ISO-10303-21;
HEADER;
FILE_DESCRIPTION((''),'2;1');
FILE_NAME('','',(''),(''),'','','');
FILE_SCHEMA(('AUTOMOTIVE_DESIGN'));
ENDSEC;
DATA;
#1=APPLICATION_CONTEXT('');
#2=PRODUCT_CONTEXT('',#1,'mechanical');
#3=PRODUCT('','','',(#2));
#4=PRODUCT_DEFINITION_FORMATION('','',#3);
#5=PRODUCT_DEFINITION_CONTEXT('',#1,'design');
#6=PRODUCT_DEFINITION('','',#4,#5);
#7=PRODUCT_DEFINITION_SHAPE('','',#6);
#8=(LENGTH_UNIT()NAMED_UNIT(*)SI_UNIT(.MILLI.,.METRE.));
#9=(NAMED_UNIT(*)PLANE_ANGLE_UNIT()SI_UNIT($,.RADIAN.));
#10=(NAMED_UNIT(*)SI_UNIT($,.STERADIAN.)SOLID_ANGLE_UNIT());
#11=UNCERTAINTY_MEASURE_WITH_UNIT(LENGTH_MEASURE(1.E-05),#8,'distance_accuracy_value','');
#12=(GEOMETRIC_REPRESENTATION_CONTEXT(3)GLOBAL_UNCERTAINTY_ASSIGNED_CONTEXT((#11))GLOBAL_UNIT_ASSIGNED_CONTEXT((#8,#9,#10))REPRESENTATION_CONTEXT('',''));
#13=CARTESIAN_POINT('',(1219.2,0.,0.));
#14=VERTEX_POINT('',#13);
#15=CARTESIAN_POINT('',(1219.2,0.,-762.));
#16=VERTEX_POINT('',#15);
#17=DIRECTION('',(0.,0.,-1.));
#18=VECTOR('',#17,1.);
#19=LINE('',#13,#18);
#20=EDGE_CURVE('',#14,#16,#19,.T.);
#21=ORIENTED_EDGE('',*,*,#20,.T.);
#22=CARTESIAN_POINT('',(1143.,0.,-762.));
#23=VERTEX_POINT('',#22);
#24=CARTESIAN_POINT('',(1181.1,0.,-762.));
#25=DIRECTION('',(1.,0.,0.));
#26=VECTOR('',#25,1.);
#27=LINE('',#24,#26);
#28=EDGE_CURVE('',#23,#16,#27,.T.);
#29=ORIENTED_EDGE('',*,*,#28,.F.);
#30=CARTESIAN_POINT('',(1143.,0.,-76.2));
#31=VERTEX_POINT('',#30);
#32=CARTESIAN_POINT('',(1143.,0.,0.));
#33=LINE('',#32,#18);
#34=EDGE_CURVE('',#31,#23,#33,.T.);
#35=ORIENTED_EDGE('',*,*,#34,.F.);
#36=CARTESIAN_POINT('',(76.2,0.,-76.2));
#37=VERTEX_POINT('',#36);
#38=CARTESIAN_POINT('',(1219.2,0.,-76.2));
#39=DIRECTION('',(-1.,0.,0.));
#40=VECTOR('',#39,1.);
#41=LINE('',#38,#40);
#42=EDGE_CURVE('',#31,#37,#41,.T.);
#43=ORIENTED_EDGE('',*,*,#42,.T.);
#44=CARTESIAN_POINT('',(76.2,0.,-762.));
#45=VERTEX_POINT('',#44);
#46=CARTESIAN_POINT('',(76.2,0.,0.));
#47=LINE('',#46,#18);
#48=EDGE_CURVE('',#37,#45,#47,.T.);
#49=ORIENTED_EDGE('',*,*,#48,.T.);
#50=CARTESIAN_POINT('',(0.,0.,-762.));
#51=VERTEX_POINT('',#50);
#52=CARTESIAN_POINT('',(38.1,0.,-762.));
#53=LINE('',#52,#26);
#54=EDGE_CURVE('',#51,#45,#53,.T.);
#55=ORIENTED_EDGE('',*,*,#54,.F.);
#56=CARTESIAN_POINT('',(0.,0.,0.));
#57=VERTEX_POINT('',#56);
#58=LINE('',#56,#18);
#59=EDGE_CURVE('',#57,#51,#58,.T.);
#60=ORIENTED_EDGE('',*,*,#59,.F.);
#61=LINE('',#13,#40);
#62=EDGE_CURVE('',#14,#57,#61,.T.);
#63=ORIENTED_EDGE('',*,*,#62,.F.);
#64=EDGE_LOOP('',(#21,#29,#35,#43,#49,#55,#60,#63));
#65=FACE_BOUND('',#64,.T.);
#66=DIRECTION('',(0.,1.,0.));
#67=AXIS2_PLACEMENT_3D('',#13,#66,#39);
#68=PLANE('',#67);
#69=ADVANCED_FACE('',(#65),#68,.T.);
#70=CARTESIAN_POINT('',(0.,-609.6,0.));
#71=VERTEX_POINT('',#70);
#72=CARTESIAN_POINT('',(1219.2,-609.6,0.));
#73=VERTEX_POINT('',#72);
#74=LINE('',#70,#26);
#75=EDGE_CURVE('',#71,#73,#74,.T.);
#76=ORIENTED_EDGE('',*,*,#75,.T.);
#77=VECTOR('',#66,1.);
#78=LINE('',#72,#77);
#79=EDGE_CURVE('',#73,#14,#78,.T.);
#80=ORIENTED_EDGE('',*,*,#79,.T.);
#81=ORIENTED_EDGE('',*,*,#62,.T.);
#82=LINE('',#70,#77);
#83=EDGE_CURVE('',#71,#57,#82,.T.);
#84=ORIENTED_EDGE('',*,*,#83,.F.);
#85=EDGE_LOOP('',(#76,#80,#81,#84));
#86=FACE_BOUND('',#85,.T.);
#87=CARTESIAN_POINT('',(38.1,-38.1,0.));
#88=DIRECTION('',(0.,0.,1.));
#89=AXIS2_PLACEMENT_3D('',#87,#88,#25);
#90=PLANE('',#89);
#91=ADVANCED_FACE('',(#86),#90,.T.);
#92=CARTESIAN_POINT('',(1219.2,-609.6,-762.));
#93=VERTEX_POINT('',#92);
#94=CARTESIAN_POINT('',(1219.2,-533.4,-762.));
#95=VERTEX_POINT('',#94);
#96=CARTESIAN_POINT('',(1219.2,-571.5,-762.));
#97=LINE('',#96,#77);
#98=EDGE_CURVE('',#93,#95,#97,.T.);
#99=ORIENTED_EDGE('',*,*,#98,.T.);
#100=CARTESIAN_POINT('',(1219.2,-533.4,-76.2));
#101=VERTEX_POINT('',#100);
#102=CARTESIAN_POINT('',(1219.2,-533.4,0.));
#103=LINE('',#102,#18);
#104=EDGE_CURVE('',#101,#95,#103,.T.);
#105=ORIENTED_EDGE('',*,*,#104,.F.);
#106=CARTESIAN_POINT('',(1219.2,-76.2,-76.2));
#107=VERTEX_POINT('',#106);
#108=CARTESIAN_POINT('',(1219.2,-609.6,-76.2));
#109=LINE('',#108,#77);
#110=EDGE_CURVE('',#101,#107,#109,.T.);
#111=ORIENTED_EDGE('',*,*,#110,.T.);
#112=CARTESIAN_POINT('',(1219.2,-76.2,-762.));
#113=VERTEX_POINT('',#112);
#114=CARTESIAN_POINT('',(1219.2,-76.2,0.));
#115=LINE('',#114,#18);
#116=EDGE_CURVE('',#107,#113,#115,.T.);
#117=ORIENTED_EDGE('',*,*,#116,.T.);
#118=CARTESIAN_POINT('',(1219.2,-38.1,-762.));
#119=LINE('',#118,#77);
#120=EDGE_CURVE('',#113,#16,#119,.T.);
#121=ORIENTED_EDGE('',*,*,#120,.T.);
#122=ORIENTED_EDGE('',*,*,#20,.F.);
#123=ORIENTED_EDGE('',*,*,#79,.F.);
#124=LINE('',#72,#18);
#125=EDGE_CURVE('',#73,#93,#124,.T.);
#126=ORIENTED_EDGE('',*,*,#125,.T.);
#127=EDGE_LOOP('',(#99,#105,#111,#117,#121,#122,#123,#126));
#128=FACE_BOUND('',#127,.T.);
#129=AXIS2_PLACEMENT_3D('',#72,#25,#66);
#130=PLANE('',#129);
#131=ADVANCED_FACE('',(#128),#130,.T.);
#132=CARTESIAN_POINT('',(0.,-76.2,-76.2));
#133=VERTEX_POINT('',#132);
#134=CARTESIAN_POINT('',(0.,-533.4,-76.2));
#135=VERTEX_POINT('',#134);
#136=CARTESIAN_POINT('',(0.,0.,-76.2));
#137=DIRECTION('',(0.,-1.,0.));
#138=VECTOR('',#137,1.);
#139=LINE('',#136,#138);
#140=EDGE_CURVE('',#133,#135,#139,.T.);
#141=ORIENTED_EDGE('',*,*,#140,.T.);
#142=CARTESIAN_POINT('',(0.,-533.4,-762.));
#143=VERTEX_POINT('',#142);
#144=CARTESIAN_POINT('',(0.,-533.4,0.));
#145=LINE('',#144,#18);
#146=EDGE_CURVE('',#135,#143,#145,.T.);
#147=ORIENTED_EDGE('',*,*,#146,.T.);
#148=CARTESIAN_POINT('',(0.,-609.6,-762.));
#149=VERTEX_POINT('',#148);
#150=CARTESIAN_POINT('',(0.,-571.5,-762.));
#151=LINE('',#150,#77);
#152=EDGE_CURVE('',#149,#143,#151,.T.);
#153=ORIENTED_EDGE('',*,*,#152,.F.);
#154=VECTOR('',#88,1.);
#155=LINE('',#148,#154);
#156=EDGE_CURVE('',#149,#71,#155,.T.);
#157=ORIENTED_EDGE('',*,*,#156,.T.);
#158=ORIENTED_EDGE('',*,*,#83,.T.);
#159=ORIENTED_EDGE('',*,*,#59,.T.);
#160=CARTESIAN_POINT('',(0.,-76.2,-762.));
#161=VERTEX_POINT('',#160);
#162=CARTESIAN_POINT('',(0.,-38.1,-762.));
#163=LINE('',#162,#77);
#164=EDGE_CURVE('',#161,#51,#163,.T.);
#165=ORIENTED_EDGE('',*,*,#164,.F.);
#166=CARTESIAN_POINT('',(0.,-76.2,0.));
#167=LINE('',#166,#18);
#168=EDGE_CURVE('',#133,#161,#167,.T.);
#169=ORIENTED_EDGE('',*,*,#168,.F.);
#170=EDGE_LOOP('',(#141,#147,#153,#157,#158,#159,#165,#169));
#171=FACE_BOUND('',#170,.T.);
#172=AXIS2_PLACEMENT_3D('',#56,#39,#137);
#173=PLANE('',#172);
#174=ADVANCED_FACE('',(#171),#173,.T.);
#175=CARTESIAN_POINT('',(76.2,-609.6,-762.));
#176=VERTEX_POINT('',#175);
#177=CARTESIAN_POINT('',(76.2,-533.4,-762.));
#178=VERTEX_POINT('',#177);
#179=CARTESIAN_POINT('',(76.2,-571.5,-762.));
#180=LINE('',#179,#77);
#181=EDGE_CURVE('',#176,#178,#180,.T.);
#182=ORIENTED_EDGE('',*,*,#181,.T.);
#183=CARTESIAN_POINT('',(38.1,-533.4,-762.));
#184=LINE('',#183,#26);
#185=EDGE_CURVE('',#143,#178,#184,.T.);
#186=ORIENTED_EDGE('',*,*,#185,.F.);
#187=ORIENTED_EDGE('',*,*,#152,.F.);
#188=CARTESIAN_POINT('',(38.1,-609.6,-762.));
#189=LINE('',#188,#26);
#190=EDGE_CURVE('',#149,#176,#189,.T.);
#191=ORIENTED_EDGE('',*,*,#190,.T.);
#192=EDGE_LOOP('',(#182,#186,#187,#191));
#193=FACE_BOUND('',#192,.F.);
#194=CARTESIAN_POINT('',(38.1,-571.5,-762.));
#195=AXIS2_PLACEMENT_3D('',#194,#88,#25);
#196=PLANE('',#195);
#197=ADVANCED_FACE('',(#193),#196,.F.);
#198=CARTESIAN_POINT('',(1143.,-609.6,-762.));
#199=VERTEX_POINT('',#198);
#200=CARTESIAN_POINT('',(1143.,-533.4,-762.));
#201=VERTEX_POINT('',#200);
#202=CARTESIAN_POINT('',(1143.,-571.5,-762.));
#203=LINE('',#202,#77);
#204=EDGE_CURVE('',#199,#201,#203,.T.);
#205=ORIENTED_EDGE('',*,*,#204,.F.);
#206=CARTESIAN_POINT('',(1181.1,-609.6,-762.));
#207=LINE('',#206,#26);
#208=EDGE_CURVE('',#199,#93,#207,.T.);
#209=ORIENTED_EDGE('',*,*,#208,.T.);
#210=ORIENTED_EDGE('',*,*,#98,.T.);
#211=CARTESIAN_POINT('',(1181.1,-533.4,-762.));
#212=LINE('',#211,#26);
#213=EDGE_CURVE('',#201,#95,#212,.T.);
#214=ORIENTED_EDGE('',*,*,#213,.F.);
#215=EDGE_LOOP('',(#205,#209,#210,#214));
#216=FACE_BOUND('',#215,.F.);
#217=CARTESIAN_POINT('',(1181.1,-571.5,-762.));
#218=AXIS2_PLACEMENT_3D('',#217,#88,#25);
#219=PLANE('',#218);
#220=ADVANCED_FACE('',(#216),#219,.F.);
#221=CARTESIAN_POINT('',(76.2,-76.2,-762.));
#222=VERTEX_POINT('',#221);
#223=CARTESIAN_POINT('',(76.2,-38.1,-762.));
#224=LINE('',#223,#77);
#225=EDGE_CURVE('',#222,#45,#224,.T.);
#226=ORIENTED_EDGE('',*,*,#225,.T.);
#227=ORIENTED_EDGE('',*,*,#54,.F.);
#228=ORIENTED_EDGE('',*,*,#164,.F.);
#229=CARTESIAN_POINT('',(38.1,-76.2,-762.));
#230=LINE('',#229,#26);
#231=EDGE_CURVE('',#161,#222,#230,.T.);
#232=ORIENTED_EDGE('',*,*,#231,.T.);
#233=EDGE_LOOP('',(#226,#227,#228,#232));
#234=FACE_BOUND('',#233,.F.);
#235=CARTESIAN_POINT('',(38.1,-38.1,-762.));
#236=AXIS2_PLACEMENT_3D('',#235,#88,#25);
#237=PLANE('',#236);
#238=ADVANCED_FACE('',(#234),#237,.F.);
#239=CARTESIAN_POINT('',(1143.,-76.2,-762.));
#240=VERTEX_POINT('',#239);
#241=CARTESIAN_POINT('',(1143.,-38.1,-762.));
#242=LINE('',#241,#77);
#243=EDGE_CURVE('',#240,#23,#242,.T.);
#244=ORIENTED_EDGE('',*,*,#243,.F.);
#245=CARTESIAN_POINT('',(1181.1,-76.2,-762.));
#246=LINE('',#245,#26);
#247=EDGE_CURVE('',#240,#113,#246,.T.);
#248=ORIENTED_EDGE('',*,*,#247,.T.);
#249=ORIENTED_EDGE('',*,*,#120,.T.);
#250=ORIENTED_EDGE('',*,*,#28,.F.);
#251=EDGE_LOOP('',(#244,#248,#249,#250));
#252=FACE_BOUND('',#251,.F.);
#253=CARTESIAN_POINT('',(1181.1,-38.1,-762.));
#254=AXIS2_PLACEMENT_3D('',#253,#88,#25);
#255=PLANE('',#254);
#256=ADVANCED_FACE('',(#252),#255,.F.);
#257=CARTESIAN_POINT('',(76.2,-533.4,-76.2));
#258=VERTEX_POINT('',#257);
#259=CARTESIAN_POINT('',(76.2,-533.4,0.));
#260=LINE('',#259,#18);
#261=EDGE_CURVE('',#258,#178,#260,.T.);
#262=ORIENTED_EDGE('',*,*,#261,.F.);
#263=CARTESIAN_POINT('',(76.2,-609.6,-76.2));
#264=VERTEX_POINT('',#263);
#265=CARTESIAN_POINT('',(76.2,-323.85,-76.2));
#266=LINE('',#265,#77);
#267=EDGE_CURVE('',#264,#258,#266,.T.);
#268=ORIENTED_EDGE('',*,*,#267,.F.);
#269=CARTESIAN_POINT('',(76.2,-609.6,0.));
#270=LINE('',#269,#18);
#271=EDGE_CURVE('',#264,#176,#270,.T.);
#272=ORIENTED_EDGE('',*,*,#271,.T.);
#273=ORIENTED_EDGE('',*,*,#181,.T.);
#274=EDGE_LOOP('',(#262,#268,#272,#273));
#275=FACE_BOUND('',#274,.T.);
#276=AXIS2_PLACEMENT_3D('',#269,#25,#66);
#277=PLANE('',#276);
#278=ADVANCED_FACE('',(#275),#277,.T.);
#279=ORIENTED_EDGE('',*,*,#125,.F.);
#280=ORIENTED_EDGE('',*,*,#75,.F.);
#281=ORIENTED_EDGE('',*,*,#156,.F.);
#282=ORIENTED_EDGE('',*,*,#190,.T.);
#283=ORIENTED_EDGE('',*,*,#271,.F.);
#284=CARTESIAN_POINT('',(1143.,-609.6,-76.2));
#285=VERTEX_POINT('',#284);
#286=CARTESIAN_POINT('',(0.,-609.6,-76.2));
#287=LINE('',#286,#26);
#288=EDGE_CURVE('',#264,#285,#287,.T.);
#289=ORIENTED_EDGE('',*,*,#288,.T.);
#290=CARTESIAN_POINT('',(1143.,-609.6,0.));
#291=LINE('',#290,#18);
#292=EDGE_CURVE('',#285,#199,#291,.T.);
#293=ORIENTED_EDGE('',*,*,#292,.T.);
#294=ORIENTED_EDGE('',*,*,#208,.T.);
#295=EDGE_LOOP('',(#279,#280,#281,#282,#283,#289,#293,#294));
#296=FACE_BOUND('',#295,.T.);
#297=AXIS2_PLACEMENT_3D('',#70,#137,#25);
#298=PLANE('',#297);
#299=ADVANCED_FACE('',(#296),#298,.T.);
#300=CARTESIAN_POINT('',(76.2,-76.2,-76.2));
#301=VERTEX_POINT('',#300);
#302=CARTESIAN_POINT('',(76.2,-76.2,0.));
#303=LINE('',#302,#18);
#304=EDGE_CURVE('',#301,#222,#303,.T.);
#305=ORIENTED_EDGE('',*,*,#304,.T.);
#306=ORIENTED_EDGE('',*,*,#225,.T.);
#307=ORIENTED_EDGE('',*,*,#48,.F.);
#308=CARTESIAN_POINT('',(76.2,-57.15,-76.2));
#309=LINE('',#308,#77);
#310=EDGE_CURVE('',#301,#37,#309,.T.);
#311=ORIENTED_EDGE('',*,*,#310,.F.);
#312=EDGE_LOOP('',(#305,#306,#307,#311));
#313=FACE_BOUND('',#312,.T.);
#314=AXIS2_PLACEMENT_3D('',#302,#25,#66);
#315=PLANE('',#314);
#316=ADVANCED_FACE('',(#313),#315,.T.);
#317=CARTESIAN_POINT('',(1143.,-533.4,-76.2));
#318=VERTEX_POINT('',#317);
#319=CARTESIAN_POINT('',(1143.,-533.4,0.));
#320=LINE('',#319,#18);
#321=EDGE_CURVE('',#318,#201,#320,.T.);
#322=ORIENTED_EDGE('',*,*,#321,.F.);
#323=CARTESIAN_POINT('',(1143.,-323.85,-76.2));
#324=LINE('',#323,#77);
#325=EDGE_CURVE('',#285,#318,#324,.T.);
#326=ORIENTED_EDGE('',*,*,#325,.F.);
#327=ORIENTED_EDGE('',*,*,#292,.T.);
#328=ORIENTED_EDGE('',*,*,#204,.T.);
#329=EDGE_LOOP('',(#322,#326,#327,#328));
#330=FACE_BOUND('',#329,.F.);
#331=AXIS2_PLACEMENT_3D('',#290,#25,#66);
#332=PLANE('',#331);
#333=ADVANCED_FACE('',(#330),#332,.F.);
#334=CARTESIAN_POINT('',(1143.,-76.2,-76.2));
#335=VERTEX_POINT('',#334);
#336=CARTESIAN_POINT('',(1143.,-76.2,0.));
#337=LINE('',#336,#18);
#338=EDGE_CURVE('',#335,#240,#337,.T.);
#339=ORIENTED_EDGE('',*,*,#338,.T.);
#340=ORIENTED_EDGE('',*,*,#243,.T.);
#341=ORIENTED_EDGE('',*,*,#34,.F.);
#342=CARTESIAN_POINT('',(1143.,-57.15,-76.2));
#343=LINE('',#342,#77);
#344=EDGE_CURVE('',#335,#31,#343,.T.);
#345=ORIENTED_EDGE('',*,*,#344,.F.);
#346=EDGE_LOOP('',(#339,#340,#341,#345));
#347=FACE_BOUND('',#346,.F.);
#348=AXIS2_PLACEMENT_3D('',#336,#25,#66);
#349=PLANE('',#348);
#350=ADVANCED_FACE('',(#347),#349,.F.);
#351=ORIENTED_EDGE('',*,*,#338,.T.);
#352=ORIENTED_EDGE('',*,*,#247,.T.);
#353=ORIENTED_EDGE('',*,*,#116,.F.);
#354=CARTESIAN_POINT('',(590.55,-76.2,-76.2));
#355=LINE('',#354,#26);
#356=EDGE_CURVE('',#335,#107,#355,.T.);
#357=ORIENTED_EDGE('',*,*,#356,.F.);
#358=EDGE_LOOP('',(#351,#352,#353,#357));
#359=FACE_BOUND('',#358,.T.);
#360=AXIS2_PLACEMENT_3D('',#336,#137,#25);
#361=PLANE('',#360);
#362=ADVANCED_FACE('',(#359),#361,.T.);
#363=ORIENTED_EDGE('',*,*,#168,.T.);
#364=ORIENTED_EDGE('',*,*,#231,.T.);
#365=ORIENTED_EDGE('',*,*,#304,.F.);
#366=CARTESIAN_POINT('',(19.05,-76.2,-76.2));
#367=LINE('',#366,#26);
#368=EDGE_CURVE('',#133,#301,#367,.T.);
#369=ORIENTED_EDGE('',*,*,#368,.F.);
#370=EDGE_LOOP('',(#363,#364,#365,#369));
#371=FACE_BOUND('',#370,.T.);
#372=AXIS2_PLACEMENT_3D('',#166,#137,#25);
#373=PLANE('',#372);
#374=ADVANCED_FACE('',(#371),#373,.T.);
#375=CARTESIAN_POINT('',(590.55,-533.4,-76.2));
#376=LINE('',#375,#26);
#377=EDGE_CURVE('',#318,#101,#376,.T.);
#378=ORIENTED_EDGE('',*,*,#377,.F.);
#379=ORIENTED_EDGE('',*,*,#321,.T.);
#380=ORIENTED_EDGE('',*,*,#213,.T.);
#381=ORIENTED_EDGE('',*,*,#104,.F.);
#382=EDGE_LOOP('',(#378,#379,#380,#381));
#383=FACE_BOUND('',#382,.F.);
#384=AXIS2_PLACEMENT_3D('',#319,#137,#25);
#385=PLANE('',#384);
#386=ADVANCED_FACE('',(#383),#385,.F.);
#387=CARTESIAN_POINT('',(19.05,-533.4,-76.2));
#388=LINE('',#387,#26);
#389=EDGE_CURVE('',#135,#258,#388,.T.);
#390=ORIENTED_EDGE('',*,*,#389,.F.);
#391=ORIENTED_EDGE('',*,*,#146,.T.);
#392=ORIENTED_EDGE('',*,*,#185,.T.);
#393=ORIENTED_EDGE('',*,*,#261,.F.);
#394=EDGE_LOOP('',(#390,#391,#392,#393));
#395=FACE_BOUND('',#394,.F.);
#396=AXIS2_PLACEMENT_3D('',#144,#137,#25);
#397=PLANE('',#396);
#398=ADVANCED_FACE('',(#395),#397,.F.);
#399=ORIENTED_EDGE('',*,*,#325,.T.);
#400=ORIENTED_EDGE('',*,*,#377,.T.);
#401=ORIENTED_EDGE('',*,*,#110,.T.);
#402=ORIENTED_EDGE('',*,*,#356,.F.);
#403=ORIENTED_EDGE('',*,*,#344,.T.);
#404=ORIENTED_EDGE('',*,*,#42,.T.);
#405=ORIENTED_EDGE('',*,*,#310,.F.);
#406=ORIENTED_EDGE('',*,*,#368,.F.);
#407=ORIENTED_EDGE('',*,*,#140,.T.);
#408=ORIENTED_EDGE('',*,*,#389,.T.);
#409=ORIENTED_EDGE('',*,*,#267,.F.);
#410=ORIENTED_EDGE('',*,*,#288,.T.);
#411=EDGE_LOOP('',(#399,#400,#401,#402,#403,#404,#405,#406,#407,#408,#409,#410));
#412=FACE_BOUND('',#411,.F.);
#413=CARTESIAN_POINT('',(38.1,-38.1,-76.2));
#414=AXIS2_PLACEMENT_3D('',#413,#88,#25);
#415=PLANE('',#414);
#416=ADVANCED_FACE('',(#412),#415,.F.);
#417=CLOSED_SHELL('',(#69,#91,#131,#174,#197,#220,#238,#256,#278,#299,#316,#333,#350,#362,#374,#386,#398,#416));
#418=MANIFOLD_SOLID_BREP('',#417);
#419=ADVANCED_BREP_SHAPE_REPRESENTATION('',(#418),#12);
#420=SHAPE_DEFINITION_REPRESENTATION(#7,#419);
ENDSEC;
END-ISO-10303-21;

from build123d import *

# Parameters (mm, degrees)
F0_W     = 76.2
F0_H     = 76.2
F1_DEPTH = 76.2
F2_DEPTH = 762


with BuildPart() as f1:
    # F0 (on Top) → F1 (new body)
    with BuildSketch(Plane.XY):
        with Locations((38.1, -38.1)):
            Rectangle(F0_W, F0_H)
        Polygon((1143, 0), (76.2, 0), (76.2, -76.2), (0, -76.2), (0, -533.4), (76.2, -533.4), (76.2, -609.6), (1143, -609.6), (1143, -533.4), (1219.2, -533.4), (1219.2, -76.2), (1143, -76.2), align=None)
        with Locations((1181.1, -38.1)):
            Rectangle(F0_W, F0_H)
        with Locations((38.1, -571.5)):
            Rectangle(F0_W, F0_H)
        with Locations((1181.1, -571.5)):
            Rectangle(F0_W, F0_H)
    extrude(amount=-F1_DEPTH)

    # F0 (on Top) → F2 (join)
    with BuildSketch(Plane.XY):
        with Locations((38.1, -38.1)):
            Rectangle(F0_W, F0_H)
        with Locations((38.1, -571.5)):
            Rectangle(F0_W, F0_H)
        with Locations((1181.1, -38.1)):
            Rectangle(F0_W, F0_H)
        with Locations((1181.1, -571.5)):
            Rectangle(F0_W, F0_H)
    extrude(amount=-F2_DEPTH)


solid = f1.part
